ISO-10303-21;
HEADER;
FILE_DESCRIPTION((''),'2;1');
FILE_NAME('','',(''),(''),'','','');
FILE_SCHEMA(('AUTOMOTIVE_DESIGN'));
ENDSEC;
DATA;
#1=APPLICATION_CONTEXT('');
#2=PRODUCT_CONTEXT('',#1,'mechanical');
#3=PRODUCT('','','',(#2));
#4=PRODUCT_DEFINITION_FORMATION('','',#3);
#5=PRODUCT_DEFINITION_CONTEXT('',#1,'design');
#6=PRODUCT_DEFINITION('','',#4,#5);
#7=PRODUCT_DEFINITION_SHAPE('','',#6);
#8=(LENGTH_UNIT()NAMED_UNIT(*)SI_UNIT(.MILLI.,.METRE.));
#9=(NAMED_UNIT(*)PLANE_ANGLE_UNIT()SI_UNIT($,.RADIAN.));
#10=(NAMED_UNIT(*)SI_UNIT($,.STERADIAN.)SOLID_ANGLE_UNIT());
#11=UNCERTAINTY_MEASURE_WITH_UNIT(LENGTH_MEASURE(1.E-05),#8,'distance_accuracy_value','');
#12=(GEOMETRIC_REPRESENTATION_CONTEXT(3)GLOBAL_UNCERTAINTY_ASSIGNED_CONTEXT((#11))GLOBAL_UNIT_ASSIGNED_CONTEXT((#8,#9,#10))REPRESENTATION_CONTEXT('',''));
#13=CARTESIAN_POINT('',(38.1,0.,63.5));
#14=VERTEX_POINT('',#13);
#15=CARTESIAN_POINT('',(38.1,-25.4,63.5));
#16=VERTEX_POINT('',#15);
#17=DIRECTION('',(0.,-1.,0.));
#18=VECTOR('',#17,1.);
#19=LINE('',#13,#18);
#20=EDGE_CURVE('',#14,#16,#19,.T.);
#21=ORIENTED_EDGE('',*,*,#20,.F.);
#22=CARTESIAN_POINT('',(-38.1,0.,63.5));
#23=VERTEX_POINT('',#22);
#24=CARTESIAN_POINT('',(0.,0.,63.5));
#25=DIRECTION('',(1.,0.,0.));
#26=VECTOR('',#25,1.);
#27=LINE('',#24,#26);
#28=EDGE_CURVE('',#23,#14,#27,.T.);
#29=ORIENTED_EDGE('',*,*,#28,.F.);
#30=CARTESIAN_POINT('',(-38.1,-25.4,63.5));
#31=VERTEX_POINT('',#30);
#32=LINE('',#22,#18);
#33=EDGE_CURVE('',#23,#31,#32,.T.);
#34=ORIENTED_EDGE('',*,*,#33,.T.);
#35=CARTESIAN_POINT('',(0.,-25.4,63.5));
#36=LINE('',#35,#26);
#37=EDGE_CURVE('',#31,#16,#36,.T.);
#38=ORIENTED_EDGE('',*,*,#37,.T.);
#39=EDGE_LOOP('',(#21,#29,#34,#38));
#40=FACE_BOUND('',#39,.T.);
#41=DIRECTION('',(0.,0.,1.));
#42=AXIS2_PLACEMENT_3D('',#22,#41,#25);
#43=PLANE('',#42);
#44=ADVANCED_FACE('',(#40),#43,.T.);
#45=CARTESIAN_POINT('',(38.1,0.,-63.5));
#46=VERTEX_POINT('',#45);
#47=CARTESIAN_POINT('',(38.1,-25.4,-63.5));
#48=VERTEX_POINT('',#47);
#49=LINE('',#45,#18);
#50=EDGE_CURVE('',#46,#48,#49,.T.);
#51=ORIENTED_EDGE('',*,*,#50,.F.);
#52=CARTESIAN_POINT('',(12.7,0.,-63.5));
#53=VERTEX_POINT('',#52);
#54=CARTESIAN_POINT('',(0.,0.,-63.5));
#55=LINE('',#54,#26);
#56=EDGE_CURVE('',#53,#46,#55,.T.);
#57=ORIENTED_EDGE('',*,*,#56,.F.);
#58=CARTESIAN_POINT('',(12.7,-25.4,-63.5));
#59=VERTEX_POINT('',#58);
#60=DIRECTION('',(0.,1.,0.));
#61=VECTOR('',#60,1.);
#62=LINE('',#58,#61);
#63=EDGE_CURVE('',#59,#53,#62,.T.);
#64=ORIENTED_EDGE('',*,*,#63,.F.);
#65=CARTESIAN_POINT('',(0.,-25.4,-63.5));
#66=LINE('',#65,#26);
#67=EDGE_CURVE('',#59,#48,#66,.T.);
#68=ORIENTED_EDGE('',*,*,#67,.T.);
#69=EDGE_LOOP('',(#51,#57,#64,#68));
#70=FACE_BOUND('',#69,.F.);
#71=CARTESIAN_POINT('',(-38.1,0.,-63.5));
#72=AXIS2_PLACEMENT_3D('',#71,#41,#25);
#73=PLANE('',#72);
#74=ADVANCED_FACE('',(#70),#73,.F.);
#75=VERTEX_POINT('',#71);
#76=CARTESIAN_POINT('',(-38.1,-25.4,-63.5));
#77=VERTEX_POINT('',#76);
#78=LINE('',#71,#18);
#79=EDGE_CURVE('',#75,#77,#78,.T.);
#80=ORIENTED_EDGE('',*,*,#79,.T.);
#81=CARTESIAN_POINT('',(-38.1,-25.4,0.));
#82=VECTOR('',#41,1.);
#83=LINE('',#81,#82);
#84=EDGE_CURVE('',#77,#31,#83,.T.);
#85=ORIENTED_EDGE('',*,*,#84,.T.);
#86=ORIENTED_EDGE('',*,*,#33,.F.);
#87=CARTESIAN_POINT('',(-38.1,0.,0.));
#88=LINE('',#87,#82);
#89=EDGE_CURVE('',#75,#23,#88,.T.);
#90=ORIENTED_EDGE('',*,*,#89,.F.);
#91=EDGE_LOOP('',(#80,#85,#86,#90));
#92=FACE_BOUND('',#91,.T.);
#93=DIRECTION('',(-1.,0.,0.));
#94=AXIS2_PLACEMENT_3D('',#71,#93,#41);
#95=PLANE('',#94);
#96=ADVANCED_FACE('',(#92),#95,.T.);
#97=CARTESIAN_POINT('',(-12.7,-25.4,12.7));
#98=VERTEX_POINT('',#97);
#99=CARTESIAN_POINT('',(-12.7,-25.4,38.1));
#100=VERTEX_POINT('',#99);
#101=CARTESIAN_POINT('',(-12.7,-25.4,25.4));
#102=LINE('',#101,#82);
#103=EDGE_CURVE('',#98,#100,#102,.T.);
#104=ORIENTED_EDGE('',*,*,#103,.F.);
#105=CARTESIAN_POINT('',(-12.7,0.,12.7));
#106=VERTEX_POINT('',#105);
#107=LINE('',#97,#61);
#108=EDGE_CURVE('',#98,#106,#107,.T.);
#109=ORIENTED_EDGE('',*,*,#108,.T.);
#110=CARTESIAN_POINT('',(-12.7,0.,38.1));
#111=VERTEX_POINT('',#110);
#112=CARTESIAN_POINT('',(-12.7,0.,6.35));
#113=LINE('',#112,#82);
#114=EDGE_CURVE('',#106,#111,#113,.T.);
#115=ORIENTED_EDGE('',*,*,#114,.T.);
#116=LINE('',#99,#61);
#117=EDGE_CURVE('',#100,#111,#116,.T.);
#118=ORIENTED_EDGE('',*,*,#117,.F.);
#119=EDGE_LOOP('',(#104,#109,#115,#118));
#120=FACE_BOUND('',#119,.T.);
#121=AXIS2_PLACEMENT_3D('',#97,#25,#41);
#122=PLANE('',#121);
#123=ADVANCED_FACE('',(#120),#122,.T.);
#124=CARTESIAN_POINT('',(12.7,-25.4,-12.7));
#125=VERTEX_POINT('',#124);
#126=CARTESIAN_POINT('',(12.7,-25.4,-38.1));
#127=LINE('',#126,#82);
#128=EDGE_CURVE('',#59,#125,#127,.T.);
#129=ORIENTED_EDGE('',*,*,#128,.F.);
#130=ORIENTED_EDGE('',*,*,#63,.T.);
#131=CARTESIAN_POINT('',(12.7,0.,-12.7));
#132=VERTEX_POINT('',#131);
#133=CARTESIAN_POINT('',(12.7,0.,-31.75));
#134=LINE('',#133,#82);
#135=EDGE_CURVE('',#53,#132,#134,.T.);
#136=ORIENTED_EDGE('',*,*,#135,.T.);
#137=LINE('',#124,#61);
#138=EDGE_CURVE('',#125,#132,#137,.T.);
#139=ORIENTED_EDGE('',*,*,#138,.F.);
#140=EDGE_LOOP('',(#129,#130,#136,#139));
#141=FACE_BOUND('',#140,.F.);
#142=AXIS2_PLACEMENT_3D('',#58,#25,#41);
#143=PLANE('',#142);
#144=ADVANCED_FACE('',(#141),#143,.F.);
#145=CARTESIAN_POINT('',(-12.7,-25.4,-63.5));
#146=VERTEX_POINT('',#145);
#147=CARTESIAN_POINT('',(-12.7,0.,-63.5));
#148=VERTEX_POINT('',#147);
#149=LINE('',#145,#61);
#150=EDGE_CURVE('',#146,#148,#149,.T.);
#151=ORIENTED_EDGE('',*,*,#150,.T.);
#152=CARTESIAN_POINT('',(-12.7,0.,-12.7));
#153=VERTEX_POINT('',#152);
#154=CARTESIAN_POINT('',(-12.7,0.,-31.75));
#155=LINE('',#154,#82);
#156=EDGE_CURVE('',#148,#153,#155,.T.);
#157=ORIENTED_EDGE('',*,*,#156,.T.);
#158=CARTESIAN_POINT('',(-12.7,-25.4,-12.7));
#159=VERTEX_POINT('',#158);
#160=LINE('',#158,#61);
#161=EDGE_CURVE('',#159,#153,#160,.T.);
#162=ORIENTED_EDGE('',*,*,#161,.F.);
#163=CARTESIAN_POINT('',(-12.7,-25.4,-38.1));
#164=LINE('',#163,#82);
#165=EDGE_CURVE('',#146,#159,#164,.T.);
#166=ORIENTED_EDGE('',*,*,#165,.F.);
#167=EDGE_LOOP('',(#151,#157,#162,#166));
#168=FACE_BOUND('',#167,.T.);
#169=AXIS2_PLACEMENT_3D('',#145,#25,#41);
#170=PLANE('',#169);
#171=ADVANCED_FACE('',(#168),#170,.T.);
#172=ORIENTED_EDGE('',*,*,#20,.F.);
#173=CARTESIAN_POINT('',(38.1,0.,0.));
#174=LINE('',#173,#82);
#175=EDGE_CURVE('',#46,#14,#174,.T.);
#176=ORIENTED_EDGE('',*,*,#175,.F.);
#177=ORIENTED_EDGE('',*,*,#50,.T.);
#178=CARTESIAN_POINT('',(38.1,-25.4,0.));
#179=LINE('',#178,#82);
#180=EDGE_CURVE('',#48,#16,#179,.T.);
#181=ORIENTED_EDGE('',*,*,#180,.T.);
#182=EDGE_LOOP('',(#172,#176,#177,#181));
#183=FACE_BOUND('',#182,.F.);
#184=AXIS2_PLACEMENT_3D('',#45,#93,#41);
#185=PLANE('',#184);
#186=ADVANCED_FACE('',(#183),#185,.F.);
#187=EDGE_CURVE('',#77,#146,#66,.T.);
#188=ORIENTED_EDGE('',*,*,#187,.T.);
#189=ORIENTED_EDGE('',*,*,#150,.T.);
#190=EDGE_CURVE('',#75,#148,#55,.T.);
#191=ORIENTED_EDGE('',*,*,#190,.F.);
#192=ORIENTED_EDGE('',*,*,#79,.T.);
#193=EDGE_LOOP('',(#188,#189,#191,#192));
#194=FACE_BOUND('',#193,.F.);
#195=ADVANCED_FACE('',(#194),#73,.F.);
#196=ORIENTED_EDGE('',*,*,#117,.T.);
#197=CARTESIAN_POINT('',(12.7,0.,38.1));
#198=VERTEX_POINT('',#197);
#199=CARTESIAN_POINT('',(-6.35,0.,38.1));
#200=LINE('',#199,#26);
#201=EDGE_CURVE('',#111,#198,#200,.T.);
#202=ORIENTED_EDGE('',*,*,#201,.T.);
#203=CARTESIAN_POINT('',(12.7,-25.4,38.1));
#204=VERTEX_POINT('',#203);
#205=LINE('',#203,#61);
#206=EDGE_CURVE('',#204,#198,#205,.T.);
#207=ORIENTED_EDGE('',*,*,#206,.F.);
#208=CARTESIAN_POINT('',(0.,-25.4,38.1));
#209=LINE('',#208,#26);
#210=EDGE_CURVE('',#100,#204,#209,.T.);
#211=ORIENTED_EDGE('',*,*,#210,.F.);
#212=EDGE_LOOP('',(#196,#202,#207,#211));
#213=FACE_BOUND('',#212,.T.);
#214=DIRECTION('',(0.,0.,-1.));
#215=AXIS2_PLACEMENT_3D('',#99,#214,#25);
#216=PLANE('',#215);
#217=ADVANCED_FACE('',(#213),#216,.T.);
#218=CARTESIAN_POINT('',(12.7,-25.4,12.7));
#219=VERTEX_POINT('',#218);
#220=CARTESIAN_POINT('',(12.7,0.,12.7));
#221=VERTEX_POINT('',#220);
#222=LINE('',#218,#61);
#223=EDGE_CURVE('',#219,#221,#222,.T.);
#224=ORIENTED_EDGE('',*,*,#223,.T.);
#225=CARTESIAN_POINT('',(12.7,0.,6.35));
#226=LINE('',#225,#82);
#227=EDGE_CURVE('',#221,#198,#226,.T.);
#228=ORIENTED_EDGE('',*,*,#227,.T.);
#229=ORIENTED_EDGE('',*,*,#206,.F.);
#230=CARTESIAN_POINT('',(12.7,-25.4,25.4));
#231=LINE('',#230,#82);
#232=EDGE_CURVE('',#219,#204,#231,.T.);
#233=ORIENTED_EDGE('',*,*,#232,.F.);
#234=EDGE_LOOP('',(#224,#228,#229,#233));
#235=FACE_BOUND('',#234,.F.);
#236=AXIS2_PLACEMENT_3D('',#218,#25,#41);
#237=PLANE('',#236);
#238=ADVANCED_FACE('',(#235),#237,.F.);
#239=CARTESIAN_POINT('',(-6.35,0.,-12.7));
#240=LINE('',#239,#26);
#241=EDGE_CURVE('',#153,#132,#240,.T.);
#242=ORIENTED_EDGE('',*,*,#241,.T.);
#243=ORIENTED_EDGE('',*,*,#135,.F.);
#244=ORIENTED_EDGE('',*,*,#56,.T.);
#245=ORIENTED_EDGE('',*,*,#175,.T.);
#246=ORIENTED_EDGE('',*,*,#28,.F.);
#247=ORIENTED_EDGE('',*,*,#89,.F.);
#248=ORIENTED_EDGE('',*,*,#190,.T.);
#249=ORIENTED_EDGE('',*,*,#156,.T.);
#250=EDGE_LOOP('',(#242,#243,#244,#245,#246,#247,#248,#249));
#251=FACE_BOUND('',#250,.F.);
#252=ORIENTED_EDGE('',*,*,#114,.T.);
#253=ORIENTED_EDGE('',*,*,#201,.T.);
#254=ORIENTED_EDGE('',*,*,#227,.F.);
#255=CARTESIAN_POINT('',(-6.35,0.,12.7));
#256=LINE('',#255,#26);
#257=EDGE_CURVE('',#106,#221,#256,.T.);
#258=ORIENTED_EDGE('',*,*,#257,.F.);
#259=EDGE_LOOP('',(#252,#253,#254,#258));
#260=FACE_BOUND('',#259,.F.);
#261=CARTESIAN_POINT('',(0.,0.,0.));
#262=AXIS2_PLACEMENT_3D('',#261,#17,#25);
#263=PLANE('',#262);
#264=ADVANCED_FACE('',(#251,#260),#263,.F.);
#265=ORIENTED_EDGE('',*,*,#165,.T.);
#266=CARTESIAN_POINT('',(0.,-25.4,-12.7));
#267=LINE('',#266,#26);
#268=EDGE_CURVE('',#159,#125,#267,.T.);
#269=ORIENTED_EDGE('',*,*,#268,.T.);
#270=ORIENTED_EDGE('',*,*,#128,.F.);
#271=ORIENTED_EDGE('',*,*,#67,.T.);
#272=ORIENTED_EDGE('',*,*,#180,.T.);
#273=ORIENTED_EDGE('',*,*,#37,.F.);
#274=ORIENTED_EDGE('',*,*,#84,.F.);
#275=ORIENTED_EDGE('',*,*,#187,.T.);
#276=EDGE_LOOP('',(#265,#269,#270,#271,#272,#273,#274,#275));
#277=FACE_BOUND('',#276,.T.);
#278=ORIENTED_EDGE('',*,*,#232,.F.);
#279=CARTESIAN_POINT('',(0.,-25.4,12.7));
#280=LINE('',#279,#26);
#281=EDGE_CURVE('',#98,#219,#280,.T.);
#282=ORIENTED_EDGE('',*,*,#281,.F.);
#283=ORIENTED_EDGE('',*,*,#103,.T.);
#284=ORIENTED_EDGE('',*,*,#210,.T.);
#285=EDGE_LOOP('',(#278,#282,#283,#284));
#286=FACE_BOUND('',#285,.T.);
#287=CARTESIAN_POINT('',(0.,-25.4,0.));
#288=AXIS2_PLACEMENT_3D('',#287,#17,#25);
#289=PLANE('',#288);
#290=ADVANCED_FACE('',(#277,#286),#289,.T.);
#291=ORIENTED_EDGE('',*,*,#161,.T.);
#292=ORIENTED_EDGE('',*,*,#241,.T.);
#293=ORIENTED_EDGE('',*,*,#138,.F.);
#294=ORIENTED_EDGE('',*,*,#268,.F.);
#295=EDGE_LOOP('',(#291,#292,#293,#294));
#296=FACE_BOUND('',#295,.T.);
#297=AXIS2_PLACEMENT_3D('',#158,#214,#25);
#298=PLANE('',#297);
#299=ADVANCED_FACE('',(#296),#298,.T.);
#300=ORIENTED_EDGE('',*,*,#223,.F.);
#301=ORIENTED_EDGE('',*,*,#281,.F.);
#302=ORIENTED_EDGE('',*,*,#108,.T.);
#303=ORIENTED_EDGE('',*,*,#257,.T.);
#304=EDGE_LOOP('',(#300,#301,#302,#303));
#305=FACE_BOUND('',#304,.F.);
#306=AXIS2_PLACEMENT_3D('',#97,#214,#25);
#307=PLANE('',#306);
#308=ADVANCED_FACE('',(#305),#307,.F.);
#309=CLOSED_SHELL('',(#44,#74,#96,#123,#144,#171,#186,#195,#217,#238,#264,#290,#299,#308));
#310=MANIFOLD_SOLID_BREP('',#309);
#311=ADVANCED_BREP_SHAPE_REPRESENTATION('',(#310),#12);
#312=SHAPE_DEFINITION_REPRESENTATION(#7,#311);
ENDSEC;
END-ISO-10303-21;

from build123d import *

# Parameters (mm, degrees)
F0_W     = 76.2
F0_H     = 127
F1_DEPTH = 25.4
F2_W     = 25.4
F2_H     = 50.8
F3_DEPTH = 25.401
F4_W     = 25.4
F4_H     = 25.4
F5_DEPTH = 25.401


with BuildPart() as f1:
    # F0 (on Front) → F1 (new body)
    with BuildSketch(Plane.XZ):
        Rectangle(F0_W, F0_H)
    extrude(amount=F1_DEPTH)

    # F2 (on face) → F3 (cut, through all)
    with BuildSketch(Plane.XZ.offset(25.4)):
        with Locations((0, -38.1)):
            Rectangle(F2_W, F2_H)
    extrude(amount=-F3_DEPTH, mode=Mode.SUBTRACT)

    # F4 (on face) → F5 (cut, through all)
    with BuildSketch(Plane.XZ.offset(25.4)):
        with Locations((0, 25.4)):
            Rectangle(F4_W, F4_H)
    extrude(amount=-F5_DEPTH, mode=Mode.SUBTRACT)


solid = f1.part
